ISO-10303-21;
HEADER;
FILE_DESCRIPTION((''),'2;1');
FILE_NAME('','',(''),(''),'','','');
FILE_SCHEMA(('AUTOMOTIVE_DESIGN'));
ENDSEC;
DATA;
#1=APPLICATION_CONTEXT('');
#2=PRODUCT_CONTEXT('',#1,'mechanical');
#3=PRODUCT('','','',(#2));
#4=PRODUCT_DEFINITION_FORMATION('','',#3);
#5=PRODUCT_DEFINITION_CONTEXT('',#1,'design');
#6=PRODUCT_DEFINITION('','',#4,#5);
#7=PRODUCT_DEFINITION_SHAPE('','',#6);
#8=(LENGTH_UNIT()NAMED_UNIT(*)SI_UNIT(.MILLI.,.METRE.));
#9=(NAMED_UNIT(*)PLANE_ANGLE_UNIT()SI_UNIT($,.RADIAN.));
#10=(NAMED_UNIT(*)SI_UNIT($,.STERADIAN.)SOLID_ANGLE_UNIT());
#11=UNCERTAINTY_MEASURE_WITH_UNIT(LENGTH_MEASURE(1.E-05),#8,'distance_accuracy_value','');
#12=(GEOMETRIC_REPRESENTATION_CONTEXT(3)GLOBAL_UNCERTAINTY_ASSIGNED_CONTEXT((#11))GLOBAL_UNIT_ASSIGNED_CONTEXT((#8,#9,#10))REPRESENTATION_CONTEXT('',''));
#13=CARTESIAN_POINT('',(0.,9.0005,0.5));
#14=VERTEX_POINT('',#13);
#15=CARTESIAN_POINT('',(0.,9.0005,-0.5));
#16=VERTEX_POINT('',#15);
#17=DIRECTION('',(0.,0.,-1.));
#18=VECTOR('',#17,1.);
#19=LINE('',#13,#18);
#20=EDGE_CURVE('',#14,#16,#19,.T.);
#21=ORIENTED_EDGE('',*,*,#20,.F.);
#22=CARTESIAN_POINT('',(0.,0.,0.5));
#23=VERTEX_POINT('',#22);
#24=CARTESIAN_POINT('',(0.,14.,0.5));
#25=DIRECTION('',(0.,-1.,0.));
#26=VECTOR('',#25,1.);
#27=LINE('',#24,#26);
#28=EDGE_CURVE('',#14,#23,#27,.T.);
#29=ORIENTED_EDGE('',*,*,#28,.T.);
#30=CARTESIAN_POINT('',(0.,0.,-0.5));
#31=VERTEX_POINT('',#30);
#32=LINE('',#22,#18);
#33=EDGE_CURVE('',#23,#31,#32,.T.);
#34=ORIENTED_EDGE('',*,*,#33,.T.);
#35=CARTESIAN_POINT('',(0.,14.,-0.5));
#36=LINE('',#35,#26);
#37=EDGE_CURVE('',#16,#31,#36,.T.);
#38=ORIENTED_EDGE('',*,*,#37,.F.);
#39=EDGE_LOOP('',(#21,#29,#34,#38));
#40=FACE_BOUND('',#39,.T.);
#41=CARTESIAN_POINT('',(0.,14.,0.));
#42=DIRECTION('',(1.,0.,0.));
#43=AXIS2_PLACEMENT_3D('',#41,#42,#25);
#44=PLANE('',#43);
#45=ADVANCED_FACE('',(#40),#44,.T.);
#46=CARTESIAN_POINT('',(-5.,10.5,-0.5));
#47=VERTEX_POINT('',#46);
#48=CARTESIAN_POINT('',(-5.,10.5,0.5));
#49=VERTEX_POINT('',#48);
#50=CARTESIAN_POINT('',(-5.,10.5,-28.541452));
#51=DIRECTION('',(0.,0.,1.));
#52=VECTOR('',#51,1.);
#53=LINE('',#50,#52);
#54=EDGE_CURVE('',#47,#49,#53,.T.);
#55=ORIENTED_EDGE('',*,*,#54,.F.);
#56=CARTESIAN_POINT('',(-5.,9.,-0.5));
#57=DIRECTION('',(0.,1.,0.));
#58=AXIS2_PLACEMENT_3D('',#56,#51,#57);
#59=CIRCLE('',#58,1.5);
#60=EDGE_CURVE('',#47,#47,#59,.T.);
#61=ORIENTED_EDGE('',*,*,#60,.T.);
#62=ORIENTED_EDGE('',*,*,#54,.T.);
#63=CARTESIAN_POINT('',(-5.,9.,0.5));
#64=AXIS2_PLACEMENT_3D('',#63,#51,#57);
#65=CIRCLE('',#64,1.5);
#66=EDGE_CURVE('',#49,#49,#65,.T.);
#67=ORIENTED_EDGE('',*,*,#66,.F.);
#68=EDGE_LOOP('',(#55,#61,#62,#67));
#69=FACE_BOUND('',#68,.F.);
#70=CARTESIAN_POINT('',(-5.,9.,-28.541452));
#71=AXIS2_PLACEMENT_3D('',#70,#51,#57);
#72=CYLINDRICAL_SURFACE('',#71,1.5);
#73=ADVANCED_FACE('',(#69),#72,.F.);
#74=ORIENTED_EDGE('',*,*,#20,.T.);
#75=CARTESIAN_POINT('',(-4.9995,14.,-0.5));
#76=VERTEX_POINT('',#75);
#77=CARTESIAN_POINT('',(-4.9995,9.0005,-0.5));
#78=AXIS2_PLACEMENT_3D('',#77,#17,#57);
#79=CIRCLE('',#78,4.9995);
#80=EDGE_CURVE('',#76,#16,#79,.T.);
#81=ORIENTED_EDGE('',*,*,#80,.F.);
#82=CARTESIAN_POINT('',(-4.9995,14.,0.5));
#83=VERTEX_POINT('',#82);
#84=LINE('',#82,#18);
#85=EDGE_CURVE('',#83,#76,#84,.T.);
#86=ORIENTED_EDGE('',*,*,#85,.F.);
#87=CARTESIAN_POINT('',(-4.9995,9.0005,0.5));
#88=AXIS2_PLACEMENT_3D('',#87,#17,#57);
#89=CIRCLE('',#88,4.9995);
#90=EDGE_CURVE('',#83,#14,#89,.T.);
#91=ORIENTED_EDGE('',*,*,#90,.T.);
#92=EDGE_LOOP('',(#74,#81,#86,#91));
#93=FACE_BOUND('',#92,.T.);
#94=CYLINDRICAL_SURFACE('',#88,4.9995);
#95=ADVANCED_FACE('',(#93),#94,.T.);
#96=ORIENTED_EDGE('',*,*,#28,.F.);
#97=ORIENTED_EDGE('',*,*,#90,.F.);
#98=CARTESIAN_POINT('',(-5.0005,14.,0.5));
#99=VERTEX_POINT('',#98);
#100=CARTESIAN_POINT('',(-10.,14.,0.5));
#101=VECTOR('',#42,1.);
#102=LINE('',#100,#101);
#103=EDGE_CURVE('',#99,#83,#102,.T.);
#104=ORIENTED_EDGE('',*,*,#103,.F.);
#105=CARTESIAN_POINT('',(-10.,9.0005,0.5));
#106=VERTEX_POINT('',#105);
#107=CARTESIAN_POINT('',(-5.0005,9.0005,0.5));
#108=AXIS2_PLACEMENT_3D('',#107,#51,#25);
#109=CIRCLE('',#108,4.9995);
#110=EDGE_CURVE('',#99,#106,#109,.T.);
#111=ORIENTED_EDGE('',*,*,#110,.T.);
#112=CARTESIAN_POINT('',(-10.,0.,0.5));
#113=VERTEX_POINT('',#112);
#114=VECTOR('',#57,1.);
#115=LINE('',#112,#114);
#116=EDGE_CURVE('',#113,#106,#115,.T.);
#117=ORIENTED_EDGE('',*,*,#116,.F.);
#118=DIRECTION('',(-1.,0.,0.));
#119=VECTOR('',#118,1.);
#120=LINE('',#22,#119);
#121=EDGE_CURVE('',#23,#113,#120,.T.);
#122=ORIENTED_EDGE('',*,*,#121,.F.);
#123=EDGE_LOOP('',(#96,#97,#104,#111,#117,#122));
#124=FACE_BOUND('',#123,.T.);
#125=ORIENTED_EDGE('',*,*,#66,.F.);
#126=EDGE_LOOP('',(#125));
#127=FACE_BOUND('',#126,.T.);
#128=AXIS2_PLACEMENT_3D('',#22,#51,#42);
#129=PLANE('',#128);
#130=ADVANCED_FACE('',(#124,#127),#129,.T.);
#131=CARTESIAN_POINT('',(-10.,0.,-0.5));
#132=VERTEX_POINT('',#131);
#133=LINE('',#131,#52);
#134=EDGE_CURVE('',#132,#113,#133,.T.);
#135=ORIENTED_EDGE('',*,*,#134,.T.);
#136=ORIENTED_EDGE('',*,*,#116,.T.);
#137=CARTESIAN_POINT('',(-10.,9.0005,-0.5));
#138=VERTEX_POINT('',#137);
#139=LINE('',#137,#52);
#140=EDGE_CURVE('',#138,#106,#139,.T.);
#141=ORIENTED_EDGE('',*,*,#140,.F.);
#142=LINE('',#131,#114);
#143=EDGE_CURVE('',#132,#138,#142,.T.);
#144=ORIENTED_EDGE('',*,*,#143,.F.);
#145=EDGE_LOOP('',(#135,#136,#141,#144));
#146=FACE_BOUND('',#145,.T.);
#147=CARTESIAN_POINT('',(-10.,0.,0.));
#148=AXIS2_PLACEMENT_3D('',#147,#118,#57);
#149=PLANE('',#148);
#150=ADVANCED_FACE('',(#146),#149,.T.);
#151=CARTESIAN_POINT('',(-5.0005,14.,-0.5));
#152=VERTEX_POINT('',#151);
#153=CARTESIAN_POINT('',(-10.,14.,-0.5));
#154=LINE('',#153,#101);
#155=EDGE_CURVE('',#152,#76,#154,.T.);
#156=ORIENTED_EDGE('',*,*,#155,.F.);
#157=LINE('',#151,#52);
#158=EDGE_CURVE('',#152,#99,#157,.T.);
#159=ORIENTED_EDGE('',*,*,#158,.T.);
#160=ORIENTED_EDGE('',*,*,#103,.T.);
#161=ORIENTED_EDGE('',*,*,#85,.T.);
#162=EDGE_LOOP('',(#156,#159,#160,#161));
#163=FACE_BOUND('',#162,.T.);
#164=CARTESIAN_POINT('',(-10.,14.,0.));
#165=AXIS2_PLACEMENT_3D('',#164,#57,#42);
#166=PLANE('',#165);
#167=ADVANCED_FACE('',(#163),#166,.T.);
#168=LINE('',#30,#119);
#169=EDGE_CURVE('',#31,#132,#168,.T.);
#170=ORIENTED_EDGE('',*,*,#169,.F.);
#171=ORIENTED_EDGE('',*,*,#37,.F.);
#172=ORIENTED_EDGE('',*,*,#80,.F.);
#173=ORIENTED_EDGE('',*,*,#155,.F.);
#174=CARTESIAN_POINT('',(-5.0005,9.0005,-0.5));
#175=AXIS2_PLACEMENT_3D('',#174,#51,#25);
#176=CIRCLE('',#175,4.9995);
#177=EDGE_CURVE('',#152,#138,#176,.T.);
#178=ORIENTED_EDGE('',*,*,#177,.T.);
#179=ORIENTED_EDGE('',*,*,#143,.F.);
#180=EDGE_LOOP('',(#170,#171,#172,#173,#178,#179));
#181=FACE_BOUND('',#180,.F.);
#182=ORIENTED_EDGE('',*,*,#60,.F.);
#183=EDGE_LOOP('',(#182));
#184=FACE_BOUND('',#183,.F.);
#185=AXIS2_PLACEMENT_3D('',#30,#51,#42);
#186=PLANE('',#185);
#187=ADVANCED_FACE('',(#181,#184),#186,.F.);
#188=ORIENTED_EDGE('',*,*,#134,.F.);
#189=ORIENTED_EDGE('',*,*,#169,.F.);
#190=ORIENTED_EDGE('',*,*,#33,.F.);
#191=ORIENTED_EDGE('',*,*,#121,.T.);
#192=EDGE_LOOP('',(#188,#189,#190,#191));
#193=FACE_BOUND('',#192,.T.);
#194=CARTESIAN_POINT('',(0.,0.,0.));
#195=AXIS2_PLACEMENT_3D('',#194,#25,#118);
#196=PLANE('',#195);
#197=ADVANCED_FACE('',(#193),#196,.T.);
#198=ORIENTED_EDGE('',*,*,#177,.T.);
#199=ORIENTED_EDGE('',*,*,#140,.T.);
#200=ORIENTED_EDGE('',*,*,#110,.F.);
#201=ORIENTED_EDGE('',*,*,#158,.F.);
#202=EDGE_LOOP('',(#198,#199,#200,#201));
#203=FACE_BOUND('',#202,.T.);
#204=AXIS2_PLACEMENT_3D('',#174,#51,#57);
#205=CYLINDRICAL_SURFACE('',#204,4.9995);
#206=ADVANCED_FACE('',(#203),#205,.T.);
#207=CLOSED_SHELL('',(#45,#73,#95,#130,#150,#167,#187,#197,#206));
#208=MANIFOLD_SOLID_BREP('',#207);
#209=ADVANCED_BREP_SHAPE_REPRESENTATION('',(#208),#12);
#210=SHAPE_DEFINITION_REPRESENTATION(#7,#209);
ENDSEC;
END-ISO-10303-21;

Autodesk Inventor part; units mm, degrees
ref_plane "YZ Plane" through (0, 0, 0) normal (1, 0, 0) x (0, 1, 0)
ref_plane "XZ Plane" through (0, 0, 0) normal (0, 1, 0) x (-1, 0, 0)
ref_plane "XY Plane" through (0, 0, 0) normal (0, 0, 1) x (1, 0, 0)
sketch "Szkic1" plane through (0, 0, 0) normal (0, 0, 1) x (1, 0, 0)
  line L0 (-10, 14) -> (0, 14)
  line L1 (0, 14) -> (0, 0)
  line L2 (0, 0) -> (-10, 0)
  line L3 (-10, 0) -> (-10, 14)
  point P0 (-5, 9)
  dimension "d0" = 10
  dimension "d5" = 5
  dimension "d6" = 5
  dimension "d7" = 9
extrude "Wyciągnięcie proste1" add sketch "Szkic1" along normal mid plane 1
fillet "Zaokrąglenie1" radius 5 2 edges at (0, 14, 0) (-10, 14, 0)
hole "Otwór1" at (-5, 9, 0) direction (0, 0, 1) diameter 3 end through all both
properties part number "podporka"
